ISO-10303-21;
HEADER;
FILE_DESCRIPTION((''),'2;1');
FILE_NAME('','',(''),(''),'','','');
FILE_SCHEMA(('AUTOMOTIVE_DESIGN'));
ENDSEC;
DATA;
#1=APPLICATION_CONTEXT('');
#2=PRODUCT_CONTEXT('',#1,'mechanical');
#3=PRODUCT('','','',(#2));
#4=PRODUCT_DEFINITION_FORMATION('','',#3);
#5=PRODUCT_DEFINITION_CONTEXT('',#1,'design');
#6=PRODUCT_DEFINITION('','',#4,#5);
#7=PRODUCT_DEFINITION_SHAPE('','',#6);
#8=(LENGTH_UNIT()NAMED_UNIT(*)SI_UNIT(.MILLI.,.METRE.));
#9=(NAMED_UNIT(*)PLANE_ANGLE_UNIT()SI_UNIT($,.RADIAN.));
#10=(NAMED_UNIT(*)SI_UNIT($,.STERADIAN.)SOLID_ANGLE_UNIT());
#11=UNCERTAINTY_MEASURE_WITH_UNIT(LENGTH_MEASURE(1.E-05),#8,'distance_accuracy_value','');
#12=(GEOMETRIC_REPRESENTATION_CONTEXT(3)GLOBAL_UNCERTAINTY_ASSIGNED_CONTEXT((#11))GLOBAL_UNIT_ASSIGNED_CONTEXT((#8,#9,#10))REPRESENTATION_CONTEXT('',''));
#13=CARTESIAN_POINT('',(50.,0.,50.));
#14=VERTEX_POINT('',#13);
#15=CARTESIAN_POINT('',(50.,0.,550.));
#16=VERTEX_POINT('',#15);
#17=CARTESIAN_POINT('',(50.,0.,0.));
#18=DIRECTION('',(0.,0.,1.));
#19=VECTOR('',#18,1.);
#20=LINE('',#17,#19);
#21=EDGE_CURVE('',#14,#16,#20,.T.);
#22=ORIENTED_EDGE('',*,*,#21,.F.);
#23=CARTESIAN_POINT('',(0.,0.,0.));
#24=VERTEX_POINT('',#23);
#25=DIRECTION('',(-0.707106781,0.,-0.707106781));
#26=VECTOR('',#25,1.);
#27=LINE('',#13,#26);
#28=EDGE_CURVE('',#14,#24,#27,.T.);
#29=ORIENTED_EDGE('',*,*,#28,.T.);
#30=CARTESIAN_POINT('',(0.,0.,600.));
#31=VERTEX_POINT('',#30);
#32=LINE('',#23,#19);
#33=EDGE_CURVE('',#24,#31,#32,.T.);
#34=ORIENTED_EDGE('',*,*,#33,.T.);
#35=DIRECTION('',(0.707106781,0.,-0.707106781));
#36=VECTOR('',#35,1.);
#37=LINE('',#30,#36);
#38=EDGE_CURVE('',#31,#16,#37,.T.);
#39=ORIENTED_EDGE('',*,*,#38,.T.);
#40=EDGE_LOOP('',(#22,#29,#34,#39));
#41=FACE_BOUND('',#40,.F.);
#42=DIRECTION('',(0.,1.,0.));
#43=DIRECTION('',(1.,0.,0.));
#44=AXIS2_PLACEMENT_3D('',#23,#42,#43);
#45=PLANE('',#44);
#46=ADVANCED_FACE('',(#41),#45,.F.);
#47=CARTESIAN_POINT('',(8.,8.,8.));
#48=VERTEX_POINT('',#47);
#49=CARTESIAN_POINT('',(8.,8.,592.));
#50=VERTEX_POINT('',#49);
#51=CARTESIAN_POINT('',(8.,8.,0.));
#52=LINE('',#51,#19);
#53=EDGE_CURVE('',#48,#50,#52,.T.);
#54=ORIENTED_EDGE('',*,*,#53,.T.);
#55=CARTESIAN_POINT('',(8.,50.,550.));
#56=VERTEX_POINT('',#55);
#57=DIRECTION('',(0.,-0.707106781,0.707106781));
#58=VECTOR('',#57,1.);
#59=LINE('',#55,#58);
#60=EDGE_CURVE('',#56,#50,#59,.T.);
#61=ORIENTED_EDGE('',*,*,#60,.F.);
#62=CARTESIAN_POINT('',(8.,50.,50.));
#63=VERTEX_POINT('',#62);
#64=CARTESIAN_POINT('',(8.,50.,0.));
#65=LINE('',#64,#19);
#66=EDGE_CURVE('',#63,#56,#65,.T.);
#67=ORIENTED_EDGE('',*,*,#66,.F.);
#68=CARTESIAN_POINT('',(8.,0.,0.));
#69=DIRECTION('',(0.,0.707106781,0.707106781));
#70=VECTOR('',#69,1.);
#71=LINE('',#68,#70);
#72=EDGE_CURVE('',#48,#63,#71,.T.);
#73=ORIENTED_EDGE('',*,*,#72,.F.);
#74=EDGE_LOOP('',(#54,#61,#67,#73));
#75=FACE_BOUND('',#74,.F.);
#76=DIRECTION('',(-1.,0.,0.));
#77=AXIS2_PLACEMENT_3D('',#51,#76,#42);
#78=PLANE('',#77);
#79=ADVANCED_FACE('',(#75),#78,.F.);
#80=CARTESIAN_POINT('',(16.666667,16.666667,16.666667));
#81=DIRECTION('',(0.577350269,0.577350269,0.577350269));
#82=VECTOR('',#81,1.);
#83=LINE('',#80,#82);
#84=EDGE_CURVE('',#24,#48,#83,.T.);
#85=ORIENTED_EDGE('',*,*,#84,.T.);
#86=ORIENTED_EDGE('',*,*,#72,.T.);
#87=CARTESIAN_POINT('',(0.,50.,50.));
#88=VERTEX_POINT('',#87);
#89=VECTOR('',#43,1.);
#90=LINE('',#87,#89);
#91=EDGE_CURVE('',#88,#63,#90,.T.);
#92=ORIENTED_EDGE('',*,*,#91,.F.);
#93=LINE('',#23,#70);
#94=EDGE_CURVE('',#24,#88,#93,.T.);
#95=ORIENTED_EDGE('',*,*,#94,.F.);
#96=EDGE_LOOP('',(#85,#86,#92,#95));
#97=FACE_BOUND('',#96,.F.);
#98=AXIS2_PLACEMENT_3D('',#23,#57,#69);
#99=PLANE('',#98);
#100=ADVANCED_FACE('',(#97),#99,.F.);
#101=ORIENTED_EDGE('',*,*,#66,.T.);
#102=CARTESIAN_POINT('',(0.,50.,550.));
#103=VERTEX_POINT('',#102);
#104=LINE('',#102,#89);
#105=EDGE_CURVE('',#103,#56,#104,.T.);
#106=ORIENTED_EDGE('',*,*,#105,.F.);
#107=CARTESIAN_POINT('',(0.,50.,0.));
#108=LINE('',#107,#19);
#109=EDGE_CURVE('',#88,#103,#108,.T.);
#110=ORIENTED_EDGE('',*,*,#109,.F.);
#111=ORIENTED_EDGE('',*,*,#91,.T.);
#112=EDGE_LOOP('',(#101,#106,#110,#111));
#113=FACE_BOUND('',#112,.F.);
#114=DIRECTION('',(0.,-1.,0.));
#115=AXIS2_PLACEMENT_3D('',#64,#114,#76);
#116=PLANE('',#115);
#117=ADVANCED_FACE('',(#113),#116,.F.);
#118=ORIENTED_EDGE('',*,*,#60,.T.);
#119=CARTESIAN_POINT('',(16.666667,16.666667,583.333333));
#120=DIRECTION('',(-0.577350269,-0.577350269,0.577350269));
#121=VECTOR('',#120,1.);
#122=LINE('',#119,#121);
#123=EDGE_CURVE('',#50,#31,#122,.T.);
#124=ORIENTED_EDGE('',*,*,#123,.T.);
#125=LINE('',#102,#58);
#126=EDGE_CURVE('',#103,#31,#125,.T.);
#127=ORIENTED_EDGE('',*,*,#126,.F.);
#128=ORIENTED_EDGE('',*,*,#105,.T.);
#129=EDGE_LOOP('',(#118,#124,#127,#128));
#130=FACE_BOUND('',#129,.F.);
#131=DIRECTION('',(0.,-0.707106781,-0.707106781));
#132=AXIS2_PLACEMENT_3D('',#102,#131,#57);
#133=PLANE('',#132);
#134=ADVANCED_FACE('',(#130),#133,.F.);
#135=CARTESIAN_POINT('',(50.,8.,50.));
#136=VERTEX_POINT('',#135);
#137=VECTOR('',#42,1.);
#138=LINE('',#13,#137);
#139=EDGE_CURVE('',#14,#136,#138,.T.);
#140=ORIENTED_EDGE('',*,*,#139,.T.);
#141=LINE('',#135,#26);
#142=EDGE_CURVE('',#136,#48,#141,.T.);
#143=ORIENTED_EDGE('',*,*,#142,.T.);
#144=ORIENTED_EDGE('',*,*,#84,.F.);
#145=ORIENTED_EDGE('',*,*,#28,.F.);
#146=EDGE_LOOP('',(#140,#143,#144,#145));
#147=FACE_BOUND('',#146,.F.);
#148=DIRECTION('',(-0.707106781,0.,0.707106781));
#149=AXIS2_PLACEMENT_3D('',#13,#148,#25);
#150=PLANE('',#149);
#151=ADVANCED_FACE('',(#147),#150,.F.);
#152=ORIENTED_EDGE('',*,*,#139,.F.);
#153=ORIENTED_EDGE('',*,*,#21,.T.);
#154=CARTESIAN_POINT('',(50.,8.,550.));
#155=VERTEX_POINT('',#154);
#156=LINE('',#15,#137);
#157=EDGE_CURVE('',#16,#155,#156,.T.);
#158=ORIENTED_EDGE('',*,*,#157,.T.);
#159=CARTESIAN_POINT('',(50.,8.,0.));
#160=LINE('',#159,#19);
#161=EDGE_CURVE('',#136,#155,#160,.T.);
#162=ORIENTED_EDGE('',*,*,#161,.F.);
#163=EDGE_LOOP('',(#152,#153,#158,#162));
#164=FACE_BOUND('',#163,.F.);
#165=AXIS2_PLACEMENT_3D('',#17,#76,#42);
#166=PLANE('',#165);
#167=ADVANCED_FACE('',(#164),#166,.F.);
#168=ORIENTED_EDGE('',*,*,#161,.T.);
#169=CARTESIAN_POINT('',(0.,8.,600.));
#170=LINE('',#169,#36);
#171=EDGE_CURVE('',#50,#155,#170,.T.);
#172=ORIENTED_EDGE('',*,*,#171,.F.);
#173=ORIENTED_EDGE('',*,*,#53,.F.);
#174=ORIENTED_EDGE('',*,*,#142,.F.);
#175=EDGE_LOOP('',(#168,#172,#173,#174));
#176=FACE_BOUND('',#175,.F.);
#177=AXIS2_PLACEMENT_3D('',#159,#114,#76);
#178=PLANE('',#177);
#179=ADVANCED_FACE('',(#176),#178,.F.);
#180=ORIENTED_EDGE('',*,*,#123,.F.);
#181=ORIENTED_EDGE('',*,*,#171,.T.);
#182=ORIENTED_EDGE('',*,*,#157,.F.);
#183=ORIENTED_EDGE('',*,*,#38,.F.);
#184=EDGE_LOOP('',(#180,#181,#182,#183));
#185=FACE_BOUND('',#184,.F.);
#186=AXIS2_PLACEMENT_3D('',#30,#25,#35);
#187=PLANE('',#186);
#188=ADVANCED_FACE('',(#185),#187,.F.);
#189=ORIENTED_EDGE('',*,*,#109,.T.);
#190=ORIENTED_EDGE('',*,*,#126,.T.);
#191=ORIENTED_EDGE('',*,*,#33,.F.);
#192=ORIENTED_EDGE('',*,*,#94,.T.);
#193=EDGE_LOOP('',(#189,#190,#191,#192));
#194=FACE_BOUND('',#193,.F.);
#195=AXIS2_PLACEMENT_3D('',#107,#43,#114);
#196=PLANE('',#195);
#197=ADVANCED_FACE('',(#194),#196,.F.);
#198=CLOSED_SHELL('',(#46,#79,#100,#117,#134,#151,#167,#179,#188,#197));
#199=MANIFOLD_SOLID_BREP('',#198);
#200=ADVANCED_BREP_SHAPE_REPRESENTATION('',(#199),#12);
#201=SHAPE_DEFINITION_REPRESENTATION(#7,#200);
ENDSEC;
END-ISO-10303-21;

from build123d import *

# Parameters (mm, degrees)
F1_DEPTH = 600
F3_DEPTH = 8
F5_DEPTH = 8
F7_DEPTH = 8
F9_DEPTH = 8


with BuildPart() as f1:
    # F0 (on Top) → F1 (new body)
    with BuildSketch(Plane.XY):
        Polygon((0, 50), (0, 0), (50, 0), (50, 8), (8, 8), (8, 50), align=None)
    extrude(amount=F1_DEPTH)

    # F2 (on face) → F3 (cut, through all)
    with BuildSketch(Plane.XZ):
        Polygon((50, 600), (0, 600), (50, 550), align=None)
    extrude(amount=-F3_DEPTH, mode=Mode.SUBTRACT)

    # F4 (on face) → F5 (cut, through all)
    with BuildSketch(Plane(origin=(0, 0, 0), x_dir=(0, -1, 0), z_dir=(-1, 0, 0))):
        Polygon((-50, 550), (0, 600), (-8, 600), (-50, 600), align=None)
    extrude(amount=-F5_DEPTH, mode=Mode.SUBTRACT)

    # F6 (on face) → F7 (cut, through all)
    with BuildSketch(Plane.XZ):
        Polygon((50, 50), (0, 0), (50, 0), align=None)
    extrude(amount=-F7_DEPTH, mode=Mode.SUBTRACT)

    # F8 (on face) → F9 (cut, through all)
    with BuildSketch(Plane(origin=(0, 0, 0), x_dir=(0, -1, 0), z_dir=(-1, 0, 0))):
        Polygon((-8, 0), (0, 0), (-50, 50), (-50, 0), align=None)
    extrude(amount=-F9_DEPTH, mode=Mode.SUBTRACT)


solid = f1.part
